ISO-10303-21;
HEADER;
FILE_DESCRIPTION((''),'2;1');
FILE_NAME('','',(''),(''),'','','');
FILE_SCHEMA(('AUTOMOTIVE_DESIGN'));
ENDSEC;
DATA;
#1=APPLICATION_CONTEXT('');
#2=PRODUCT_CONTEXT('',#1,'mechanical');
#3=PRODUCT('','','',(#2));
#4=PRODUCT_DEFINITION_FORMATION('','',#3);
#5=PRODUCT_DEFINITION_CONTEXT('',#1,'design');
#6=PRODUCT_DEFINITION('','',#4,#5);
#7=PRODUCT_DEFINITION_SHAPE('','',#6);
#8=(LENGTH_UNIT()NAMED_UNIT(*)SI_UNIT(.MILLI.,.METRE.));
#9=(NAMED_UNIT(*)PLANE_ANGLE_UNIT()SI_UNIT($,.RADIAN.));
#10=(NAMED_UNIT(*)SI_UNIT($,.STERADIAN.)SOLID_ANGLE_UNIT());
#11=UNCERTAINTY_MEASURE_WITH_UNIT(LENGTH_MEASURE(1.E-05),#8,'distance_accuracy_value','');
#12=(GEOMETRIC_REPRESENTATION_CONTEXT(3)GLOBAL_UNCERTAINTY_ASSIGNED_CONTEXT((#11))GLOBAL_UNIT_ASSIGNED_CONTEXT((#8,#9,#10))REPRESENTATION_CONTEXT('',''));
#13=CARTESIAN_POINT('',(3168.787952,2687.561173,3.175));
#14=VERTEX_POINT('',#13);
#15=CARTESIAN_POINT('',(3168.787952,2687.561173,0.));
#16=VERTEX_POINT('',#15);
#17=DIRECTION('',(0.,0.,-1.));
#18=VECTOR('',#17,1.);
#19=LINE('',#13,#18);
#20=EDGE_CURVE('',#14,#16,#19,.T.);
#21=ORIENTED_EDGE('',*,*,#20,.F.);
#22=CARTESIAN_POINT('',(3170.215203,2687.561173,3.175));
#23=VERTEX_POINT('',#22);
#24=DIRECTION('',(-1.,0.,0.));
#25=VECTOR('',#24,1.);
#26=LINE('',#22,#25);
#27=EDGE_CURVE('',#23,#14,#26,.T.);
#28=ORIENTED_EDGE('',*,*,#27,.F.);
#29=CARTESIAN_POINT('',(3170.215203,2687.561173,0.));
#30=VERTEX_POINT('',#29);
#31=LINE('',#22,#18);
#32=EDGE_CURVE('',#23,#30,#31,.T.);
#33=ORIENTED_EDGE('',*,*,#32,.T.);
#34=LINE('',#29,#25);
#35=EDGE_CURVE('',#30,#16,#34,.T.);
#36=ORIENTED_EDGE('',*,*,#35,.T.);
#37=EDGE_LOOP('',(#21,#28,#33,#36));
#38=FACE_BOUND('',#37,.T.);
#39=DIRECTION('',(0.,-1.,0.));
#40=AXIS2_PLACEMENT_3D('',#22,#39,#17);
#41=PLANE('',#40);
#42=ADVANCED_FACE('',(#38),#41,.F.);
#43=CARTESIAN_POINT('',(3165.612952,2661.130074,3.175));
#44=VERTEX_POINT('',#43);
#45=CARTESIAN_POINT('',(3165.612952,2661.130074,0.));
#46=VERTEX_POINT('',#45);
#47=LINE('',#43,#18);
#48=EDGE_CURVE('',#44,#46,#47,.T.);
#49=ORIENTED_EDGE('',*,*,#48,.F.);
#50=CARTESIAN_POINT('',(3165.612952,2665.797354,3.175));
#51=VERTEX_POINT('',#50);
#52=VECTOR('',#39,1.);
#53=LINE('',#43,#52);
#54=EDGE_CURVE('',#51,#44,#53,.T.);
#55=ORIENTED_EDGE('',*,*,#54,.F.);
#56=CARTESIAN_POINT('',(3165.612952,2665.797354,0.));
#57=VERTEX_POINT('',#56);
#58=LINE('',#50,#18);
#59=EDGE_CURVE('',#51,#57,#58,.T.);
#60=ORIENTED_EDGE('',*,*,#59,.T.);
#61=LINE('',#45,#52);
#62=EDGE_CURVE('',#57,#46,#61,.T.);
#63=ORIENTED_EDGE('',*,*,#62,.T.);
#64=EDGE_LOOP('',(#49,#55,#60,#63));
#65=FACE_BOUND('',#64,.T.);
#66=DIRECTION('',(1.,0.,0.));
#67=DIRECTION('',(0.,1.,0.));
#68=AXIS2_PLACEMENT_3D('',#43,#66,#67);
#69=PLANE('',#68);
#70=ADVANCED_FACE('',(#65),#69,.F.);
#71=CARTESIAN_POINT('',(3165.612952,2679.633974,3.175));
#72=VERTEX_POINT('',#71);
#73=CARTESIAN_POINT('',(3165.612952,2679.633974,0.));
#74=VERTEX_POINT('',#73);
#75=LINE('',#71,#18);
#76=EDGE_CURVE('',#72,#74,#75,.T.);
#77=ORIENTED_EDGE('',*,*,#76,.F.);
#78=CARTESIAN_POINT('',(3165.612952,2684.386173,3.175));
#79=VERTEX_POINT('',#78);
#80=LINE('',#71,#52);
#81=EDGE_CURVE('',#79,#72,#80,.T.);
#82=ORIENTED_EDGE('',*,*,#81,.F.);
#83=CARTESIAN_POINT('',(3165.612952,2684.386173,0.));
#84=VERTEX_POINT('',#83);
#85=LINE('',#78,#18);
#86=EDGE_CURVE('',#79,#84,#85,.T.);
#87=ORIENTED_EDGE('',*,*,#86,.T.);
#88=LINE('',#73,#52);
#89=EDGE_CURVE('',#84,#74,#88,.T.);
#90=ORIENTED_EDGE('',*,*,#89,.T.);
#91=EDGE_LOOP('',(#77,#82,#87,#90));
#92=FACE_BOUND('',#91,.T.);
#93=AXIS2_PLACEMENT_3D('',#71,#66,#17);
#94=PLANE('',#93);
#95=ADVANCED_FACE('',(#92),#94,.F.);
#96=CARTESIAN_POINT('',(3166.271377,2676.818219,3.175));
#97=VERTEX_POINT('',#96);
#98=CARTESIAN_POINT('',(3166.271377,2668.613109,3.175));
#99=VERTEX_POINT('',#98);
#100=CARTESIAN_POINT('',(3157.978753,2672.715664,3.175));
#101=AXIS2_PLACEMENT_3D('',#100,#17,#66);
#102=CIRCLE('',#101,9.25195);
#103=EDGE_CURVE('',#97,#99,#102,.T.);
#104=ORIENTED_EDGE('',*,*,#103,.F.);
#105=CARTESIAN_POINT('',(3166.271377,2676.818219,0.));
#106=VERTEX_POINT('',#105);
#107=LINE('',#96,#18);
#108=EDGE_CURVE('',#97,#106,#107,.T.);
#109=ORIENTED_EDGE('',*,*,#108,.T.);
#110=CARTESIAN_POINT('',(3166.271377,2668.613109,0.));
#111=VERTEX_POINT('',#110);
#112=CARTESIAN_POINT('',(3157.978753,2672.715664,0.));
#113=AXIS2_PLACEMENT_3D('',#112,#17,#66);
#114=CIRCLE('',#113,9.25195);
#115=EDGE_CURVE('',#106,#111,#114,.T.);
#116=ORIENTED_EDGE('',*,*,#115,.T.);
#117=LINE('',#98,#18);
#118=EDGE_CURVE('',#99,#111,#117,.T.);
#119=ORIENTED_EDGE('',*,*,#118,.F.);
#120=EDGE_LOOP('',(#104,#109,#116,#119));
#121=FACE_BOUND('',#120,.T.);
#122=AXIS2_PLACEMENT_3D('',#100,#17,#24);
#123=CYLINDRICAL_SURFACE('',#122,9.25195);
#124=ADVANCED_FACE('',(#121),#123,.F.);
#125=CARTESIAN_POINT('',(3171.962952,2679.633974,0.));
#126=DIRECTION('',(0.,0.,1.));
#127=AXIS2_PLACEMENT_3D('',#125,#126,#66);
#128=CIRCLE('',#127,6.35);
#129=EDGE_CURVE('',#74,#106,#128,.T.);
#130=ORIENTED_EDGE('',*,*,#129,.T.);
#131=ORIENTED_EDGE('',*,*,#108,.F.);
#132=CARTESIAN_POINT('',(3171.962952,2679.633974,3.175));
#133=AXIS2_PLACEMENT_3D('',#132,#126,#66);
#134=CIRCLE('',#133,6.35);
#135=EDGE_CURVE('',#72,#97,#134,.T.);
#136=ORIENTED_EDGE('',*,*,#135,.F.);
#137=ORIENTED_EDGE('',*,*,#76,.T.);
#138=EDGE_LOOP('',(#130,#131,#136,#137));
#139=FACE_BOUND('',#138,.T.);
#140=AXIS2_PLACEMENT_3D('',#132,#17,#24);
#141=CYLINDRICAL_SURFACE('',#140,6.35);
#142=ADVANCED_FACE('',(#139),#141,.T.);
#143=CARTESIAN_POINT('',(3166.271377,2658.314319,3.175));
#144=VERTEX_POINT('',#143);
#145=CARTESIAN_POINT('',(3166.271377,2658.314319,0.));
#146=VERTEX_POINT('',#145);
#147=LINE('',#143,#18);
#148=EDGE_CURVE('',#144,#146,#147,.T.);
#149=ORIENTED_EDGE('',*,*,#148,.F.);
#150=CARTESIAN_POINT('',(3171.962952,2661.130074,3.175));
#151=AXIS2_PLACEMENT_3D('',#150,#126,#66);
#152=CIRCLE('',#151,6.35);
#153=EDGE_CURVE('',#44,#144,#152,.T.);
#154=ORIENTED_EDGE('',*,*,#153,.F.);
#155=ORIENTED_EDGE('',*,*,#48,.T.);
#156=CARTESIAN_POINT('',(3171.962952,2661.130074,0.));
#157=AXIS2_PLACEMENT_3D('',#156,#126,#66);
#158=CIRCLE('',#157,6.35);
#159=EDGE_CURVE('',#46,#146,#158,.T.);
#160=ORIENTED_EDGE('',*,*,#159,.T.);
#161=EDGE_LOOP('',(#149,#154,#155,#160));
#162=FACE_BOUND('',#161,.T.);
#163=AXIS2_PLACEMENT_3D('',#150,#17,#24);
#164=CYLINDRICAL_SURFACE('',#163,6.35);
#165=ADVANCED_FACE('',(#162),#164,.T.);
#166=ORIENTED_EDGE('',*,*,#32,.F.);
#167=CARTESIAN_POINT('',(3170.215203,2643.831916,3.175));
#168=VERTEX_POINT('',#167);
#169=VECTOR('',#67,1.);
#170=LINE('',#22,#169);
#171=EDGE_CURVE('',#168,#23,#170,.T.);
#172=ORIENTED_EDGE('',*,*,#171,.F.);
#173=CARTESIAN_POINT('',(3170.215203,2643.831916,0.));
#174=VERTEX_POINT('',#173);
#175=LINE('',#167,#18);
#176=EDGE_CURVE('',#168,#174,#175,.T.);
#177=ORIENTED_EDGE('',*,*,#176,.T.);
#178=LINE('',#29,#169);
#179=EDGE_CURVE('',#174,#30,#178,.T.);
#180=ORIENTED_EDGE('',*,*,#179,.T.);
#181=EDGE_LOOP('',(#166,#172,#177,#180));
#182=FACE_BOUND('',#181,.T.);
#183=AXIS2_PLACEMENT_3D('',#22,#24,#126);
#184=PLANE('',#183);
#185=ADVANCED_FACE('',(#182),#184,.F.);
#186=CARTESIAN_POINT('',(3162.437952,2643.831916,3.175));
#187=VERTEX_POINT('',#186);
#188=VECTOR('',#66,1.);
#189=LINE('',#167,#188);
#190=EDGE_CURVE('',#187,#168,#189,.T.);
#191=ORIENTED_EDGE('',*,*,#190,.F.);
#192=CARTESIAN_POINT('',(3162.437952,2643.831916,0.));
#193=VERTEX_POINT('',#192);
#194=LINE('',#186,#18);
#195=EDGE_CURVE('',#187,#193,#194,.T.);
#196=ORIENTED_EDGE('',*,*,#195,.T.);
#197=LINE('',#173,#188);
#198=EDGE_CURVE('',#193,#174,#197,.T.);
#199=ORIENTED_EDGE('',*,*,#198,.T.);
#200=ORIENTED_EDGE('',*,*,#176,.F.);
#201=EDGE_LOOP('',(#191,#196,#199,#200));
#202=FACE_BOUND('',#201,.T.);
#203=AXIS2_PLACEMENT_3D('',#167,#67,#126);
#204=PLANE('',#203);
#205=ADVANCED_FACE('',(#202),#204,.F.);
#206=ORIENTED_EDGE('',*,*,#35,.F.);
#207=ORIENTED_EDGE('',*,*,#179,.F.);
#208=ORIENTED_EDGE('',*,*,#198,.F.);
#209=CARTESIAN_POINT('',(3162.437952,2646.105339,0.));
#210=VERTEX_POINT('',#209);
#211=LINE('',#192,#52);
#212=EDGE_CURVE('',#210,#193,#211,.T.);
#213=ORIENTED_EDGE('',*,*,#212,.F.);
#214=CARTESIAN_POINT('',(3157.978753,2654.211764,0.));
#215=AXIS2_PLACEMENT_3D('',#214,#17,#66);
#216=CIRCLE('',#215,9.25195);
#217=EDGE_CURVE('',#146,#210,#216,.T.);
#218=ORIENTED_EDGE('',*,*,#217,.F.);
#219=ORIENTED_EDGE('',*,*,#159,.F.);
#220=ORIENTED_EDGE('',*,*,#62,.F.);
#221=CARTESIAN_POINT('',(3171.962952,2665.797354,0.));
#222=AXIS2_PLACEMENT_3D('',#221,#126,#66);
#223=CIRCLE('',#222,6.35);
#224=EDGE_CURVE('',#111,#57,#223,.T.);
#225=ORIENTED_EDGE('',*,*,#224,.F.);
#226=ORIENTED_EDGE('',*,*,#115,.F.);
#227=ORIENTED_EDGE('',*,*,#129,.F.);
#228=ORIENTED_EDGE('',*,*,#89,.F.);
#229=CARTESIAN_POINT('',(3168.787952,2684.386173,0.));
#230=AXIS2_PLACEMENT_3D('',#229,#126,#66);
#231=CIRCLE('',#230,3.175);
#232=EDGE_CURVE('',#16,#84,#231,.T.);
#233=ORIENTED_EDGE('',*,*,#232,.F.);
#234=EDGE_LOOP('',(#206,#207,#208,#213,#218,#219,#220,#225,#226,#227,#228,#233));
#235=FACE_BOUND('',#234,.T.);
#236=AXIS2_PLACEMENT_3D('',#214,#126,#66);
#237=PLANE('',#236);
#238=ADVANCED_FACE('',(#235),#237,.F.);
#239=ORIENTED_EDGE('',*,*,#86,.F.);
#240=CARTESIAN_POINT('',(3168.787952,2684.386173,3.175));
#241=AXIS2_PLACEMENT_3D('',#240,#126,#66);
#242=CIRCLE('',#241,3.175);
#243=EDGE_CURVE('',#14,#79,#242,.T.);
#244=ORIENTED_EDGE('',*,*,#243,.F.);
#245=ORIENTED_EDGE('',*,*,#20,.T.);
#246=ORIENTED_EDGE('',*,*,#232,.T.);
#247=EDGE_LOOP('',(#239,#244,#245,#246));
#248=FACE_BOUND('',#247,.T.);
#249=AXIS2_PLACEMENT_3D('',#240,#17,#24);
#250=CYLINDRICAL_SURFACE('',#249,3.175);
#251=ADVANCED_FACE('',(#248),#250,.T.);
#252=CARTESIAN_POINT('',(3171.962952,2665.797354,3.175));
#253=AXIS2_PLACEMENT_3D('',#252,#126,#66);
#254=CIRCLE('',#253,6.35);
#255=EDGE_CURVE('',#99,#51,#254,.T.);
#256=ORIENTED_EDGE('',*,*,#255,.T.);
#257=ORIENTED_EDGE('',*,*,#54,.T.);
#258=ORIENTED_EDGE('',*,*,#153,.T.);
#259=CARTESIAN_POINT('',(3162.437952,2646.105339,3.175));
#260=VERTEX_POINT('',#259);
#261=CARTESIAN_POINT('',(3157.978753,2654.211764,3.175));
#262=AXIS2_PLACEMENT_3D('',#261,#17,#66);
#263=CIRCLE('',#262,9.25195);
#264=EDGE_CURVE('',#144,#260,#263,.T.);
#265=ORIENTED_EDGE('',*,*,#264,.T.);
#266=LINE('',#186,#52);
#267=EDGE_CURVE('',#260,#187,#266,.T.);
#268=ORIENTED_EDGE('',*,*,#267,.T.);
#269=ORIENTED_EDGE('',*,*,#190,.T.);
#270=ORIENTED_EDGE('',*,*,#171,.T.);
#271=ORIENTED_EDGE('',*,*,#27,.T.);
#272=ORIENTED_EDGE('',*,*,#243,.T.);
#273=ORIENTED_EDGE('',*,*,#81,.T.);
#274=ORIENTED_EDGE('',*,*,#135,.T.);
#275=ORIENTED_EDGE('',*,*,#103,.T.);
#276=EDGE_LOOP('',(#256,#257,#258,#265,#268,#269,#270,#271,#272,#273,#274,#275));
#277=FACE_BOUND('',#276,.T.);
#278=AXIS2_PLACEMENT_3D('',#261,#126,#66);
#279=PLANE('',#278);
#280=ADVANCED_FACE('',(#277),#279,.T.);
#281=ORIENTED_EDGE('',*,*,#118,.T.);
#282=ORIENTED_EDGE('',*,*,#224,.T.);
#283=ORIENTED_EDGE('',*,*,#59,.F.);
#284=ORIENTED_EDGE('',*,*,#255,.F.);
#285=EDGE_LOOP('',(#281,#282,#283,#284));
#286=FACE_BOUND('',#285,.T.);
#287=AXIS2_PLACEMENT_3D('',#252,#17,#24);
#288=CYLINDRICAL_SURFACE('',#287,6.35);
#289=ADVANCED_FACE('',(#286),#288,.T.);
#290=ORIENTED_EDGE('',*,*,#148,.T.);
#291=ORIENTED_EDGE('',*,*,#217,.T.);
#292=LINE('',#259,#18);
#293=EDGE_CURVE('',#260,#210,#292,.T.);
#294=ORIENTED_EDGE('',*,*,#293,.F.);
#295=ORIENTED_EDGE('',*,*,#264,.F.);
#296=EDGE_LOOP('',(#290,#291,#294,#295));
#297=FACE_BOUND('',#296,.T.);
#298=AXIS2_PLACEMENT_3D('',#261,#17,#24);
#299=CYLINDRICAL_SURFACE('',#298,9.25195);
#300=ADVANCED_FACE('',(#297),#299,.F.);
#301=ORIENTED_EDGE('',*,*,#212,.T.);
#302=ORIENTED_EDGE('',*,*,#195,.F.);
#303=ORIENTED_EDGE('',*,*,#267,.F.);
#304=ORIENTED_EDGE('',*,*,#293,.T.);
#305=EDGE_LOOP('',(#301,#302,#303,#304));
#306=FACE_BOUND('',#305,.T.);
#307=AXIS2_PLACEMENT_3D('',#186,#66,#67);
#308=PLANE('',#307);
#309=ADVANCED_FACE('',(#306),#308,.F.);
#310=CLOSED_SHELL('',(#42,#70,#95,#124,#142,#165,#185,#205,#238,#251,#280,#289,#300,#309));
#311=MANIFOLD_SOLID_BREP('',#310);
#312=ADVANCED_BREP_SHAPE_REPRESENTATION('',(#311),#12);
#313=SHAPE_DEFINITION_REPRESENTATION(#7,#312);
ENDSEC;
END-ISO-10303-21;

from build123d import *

# Parameters (mm, degrees)
BOSS_EXTRUDE1_DEPTH = 3.175


with BuildPart() as part:
    # Sketch1 → Boss-Extrude1 (new body)
    with BuildSketch(Plane.XY):
        with BuildLine():
            Line((3170.215202539, 2687.561172968), (3170.215202539, 2643.831916187))
            Line((3170.215202539, 2643.831916187), (3162.437951858, 2643.831916187))
            Line((3162.437951858, 2643.831916187), (3162.437951858, 2646.105339002))
            ThreePointArc((3162.437951858, 2646.105339002), (3166.805815961, 2651.440206281), (3166.271377044, 2658.314318641))
            ThreePointArc((3166.271377044, 2658.314318641), (3165.779748802, 2659.68421749), (3165.612951858, 2661.130073625))
            Line((3165.612951858, 2661.130073625), (3165.612951858, 2665.797353633))
            ThreePointArc((3165.612951858, 2665.797353633), (3165.779748802, 2667.243209769), (3166.271377044, 2668.613108618))
            ThreePointArc((3166.271377044, 2668.613108618), (3167.230702539, 2672.715663629), (3166.271377044, 2676.818218641))
            ThreePointArc((3166.271377044, 2676.818218641), (3165.779748802, 2678.18811749), (3165.612951858, 2679.633973625))
            Line((3165.612951858, 2679.633973625), (3165.612951858, 2684.386172968))
            ThreePointArc((3165.612951858, 2684.386172968), (3166.542887828, 2686.631236998), (3168.787951858, 2687.561172968))
            Line((3168.787951858, 2687.561172968), (3170.215202539, 2687.561172968))
        make_face()
    extrude(amount=BOSS_EXTRUDE1_DEPTH)


solid = part.part
